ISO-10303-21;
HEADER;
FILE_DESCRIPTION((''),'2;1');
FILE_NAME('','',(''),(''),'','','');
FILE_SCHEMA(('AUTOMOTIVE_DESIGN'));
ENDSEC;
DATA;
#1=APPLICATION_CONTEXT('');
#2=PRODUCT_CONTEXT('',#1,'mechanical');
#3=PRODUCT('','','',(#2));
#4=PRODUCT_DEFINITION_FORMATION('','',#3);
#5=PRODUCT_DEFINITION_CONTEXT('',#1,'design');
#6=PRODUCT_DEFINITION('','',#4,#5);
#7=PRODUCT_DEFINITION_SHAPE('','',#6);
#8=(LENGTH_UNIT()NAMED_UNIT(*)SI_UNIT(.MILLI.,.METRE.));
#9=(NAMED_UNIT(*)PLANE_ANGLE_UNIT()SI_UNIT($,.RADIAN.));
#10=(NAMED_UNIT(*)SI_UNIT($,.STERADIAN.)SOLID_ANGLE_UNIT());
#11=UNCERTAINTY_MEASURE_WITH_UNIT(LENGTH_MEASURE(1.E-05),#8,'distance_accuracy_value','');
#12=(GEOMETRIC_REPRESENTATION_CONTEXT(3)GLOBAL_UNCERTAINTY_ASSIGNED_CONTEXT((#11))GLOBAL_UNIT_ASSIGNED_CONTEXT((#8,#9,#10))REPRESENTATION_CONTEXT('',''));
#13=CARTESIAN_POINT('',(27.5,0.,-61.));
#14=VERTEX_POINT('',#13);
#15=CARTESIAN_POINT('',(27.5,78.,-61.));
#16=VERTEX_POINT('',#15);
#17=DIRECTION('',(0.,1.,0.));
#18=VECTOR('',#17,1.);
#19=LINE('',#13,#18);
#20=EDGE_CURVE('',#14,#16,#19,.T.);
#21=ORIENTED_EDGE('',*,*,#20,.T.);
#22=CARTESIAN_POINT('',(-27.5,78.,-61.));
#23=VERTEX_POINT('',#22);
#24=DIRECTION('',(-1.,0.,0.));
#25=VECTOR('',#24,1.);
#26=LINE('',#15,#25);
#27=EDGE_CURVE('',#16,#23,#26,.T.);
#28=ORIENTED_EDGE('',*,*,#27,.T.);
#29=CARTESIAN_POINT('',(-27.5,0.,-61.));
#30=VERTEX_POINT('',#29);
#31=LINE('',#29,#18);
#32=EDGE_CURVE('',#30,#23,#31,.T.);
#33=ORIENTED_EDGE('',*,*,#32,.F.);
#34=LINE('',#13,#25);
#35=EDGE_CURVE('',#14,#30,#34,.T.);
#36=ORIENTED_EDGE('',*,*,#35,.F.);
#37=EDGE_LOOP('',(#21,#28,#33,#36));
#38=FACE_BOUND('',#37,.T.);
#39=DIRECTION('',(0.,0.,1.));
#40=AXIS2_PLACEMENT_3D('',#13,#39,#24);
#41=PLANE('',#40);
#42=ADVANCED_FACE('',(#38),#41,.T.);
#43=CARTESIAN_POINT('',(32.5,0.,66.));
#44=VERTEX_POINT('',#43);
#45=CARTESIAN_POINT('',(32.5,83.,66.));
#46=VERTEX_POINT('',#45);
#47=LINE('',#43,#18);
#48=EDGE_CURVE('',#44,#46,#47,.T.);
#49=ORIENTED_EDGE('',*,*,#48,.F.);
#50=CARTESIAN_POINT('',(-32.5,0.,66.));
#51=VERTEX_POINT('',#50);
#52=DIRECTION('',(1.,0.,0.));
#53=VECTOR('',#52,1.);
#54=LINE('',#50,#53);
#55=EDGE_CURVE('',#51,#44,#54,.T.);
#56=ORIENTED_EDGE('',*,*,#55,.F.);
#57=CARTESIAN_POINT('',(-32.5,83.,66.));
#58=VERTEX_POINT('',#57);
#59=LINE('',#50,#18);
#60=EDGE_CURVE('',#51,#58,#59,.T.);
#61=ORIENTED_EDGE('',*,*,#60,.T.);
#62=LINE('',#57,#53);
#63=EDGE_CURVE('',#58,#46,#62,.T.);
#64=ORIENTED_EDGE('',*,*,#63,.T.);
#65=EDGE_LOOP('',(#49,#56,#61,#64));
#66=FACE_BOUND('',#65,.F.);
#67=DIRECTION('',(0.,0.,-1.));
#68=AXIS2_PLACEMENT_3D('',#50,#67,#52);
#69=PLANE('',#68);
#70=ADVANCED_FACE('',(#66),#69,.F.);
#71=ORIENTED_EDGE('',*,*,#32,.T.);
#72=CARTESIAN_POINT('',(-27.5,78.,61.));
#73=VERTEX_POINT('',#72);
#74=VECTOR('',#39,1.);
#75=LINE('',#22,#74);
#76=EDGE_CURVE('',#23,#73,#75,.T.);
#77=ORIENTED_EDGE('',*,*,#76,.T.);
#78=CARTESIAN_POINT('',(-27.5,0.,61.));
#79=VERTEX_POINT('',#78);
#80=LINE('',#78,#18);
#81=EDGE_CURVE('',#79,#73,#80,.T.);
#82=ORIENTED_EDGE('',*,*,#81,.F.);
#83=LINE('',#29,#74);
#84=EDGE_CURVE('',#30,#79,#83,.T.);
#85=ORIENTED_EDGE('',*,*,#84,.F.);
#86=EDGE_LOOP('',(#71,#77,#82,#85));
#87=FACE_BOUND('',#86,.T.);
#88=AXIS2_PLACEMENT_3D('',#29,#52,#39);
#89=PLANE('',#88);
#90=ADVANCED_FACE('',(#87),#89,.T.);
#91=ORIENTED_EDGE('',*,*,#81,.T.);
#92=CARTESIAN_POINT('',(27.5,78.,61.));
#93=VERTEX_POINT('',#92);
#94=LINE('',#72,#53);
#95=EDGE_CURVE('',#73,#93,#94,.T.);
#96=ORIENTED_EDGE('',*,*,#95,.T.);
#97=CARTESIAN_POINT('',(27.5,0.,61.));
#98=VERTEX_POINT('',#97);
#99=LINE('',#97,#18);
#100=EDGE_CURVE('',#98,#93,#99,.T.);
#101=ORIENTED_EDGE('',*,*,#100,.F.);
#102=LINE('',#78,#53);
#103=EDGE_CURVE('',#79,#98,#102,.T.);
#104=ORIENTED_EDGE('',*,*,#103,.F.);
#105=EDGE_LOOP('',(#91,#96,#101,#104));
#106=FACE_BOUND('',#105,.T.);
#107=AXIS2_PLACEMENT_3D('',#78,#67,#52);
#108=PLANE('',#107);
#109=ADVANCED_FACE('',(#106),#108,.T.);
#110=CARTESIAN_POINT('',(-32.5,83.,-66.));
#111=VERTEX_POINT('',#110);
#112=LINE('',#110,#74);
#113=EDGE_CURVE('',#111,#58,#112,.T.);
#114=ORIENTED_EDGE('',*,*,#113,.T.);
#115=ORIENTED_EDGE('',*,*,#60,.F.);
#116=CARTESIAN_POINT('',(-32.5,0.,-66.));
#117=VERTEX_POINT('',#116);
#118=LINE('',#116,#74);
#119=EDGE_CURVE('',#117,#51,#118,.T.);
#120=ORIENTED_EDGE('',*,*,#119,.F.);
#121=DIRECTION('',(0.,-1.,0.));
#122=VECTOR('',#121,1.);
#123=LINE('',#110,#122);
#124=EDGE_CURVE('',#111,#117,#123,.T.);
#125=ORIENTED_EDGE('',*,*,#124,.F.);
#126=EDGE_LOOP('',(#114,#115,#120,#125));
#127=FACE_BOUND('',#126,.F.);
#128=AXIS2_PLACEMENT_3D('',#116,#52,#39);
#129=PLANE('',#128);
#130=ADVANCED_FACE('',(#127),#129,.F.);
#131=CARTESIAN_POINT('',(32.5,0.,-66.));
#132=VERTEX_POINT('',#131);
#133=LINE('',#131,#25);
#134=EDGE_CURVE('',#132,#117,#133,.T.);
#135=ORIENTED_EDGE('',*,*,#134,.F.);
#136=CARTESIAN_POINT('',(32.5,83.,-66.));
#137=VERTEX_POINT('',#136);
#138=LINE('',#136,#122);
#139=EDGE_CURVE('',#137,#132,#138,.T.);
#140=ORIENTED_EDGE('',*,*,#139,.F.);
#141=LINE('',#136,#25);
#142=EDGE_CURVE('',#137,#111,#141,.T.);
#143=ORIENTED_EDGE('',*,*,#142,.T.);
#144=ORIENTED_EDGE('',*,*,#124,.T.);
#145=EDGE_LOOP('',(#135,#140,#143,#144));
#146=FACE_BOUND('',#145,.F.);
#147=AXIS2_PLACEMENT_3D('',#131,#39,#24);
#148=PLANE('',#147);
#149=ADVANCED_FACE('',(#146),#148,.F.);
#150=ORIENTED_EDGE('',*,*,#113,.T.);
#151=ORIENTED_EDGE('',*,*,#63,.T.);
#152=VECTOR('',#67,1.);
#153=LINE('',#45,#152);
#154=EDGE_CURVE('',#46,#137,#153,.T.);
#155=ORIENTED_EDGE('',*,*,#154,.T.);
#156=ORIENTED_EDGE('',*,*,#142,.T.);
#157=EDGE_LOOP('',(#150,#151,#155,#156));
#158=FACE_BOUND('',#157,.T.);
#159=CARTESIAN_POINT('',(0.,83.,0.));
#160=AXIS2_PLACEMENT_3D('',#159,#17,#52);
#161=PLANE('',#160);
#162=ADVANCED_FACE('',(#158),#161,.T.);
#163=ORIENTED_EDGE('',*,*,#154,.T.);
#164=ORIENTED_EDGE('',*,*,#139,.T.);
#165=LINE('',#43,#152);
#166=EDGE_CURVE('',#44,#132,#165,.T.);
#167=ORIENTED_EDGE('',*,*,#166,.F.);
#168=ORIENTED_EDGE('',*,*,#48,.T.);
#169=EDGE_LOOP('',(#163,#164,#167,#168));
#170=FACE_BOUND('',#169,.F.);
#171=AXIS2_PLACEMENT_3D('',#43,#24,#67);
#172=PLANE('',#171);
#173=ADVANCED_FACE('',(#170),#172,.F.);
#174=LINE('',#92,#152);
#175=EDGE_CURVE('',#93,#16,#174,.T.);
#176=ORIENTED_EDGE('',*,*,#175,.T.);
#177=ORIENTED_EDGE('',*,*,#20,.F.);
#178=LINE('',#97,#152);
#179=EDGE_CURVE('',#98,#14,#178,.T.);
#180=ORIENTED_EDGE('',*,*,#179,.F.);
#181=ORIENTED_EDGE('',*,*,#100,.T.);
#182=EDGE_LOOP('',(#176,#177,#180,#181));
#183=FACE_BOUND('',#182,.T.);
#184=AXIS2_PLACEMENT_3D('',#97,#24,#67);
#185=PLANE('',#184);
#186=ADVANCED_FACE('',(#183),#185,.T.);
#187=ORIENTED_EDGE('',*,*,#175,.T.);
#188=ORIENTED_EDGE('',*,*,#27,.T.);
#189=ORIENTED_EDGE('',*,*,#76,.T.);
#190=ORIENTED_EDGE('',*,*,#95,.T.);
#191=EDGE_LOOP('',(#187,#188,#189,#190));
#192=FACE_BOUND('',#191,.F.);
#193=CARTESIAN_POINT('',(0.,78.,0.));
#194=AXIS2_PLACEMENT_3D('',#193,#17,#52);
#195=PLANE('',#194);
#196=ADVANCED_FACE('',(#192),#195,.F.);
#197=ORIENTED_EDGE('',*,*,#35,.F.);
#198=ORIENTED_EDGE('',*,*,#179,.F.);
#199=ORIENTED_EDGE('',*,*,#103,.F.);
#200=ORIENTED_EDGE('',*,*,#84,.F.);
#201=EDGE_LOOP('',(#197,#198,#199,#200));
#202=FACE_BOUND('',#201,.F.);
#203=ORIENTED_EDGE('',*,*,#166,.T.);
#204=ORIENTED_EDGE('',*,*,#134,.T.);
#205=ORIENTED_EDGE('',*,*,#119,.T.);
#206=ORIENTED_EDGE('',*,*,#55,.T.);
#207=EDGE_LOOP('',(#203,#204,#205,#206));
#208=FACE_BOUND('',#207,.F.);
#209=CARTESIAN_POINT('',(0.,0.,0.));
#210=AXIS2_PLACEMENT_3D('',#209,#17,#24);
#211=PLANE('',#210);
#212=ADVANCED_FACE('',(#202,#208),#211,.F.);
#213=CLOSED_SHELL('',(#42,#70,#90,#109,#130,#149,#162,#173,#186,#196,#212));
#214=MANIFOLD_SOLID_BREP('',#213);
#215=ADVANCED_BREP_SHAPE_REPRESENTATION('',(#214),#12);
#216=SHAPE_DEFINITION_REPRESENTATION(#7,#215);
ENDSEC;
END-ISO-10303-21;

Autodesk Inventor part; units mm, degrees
ref_plane "YZ Plane" through (0, 0, 0) normal (1, 0, 0) x (0, 1, 0)
ref_plane "XZ Plane" through (0, 0, 0) normal (0, 1, 0) x (-1, 0, 0)
ref_plane "XY Plane" through (0, 0, 0) normal (0, 0, 1) x (1, 0, 0)
sketch "Sketch1" plane through (0, 0, 0) normal (0, 1, 0) x (-1, 0, 0)
  line L0 (27.5, 61) -> (-27.5, 61)
  line L1 (-27.5, 61) -> (-27.5, -61)
  line L2 (-27.5, -61) -> (27.5, -61)
  line L3 (27.5, -61) -> (27.5, 61)
  line L4 (27.5, 61) -> (-27.5, -61) construction
  line L5 (-27.5, 61) -> (27.5, -61) construction
  line L6 (32.5, 66) -> (-32.5, 66)
  line L7 (-32.5, 66) -> (-32.5, -66)
  line L8 (-32.5, -66) -> (32.5, -66)
  line L9 (32.5, -66) -> (32.5, 66)
  line L10 (32.5, 66) -> (-32.5, -66) construction
  line L11 (-32.5, 66) -> (32.5, -66) construction
  point P0 (0, 0)
  dimension "d0" = 122
  dimension "d1" = 55
  dimension "d10" = 5
  dimension "d11" = 5
extrude "Extrusion1" add sketch "Sketch1" along normal blind 78
sketch "Sketch5" plane through (0, 78, 0) normal (0, 1, 0) x (1, 0, 0)
  line L0 (32.5, 66) -> (-32.5, 66)
  line L1 (-32.5, 66) -> (-32.5, -66)
  line L2 (-32.5, -66) -> (32.5, -66)
  line L3 (32.5, -66) -> (32.5, 66)
  line L4 (32.5, 66) -> (-32.5, -66) construction
  line L5 (-32.5, 66) -> (32.5, -66) construction
  point P0 (0, 0)
  dimension "d20" = 65
  dimension "d21" = 132
extrude "Extrusion5" add sketch "Sketch5" along normal blind 5
properties part number "Outer Case"
